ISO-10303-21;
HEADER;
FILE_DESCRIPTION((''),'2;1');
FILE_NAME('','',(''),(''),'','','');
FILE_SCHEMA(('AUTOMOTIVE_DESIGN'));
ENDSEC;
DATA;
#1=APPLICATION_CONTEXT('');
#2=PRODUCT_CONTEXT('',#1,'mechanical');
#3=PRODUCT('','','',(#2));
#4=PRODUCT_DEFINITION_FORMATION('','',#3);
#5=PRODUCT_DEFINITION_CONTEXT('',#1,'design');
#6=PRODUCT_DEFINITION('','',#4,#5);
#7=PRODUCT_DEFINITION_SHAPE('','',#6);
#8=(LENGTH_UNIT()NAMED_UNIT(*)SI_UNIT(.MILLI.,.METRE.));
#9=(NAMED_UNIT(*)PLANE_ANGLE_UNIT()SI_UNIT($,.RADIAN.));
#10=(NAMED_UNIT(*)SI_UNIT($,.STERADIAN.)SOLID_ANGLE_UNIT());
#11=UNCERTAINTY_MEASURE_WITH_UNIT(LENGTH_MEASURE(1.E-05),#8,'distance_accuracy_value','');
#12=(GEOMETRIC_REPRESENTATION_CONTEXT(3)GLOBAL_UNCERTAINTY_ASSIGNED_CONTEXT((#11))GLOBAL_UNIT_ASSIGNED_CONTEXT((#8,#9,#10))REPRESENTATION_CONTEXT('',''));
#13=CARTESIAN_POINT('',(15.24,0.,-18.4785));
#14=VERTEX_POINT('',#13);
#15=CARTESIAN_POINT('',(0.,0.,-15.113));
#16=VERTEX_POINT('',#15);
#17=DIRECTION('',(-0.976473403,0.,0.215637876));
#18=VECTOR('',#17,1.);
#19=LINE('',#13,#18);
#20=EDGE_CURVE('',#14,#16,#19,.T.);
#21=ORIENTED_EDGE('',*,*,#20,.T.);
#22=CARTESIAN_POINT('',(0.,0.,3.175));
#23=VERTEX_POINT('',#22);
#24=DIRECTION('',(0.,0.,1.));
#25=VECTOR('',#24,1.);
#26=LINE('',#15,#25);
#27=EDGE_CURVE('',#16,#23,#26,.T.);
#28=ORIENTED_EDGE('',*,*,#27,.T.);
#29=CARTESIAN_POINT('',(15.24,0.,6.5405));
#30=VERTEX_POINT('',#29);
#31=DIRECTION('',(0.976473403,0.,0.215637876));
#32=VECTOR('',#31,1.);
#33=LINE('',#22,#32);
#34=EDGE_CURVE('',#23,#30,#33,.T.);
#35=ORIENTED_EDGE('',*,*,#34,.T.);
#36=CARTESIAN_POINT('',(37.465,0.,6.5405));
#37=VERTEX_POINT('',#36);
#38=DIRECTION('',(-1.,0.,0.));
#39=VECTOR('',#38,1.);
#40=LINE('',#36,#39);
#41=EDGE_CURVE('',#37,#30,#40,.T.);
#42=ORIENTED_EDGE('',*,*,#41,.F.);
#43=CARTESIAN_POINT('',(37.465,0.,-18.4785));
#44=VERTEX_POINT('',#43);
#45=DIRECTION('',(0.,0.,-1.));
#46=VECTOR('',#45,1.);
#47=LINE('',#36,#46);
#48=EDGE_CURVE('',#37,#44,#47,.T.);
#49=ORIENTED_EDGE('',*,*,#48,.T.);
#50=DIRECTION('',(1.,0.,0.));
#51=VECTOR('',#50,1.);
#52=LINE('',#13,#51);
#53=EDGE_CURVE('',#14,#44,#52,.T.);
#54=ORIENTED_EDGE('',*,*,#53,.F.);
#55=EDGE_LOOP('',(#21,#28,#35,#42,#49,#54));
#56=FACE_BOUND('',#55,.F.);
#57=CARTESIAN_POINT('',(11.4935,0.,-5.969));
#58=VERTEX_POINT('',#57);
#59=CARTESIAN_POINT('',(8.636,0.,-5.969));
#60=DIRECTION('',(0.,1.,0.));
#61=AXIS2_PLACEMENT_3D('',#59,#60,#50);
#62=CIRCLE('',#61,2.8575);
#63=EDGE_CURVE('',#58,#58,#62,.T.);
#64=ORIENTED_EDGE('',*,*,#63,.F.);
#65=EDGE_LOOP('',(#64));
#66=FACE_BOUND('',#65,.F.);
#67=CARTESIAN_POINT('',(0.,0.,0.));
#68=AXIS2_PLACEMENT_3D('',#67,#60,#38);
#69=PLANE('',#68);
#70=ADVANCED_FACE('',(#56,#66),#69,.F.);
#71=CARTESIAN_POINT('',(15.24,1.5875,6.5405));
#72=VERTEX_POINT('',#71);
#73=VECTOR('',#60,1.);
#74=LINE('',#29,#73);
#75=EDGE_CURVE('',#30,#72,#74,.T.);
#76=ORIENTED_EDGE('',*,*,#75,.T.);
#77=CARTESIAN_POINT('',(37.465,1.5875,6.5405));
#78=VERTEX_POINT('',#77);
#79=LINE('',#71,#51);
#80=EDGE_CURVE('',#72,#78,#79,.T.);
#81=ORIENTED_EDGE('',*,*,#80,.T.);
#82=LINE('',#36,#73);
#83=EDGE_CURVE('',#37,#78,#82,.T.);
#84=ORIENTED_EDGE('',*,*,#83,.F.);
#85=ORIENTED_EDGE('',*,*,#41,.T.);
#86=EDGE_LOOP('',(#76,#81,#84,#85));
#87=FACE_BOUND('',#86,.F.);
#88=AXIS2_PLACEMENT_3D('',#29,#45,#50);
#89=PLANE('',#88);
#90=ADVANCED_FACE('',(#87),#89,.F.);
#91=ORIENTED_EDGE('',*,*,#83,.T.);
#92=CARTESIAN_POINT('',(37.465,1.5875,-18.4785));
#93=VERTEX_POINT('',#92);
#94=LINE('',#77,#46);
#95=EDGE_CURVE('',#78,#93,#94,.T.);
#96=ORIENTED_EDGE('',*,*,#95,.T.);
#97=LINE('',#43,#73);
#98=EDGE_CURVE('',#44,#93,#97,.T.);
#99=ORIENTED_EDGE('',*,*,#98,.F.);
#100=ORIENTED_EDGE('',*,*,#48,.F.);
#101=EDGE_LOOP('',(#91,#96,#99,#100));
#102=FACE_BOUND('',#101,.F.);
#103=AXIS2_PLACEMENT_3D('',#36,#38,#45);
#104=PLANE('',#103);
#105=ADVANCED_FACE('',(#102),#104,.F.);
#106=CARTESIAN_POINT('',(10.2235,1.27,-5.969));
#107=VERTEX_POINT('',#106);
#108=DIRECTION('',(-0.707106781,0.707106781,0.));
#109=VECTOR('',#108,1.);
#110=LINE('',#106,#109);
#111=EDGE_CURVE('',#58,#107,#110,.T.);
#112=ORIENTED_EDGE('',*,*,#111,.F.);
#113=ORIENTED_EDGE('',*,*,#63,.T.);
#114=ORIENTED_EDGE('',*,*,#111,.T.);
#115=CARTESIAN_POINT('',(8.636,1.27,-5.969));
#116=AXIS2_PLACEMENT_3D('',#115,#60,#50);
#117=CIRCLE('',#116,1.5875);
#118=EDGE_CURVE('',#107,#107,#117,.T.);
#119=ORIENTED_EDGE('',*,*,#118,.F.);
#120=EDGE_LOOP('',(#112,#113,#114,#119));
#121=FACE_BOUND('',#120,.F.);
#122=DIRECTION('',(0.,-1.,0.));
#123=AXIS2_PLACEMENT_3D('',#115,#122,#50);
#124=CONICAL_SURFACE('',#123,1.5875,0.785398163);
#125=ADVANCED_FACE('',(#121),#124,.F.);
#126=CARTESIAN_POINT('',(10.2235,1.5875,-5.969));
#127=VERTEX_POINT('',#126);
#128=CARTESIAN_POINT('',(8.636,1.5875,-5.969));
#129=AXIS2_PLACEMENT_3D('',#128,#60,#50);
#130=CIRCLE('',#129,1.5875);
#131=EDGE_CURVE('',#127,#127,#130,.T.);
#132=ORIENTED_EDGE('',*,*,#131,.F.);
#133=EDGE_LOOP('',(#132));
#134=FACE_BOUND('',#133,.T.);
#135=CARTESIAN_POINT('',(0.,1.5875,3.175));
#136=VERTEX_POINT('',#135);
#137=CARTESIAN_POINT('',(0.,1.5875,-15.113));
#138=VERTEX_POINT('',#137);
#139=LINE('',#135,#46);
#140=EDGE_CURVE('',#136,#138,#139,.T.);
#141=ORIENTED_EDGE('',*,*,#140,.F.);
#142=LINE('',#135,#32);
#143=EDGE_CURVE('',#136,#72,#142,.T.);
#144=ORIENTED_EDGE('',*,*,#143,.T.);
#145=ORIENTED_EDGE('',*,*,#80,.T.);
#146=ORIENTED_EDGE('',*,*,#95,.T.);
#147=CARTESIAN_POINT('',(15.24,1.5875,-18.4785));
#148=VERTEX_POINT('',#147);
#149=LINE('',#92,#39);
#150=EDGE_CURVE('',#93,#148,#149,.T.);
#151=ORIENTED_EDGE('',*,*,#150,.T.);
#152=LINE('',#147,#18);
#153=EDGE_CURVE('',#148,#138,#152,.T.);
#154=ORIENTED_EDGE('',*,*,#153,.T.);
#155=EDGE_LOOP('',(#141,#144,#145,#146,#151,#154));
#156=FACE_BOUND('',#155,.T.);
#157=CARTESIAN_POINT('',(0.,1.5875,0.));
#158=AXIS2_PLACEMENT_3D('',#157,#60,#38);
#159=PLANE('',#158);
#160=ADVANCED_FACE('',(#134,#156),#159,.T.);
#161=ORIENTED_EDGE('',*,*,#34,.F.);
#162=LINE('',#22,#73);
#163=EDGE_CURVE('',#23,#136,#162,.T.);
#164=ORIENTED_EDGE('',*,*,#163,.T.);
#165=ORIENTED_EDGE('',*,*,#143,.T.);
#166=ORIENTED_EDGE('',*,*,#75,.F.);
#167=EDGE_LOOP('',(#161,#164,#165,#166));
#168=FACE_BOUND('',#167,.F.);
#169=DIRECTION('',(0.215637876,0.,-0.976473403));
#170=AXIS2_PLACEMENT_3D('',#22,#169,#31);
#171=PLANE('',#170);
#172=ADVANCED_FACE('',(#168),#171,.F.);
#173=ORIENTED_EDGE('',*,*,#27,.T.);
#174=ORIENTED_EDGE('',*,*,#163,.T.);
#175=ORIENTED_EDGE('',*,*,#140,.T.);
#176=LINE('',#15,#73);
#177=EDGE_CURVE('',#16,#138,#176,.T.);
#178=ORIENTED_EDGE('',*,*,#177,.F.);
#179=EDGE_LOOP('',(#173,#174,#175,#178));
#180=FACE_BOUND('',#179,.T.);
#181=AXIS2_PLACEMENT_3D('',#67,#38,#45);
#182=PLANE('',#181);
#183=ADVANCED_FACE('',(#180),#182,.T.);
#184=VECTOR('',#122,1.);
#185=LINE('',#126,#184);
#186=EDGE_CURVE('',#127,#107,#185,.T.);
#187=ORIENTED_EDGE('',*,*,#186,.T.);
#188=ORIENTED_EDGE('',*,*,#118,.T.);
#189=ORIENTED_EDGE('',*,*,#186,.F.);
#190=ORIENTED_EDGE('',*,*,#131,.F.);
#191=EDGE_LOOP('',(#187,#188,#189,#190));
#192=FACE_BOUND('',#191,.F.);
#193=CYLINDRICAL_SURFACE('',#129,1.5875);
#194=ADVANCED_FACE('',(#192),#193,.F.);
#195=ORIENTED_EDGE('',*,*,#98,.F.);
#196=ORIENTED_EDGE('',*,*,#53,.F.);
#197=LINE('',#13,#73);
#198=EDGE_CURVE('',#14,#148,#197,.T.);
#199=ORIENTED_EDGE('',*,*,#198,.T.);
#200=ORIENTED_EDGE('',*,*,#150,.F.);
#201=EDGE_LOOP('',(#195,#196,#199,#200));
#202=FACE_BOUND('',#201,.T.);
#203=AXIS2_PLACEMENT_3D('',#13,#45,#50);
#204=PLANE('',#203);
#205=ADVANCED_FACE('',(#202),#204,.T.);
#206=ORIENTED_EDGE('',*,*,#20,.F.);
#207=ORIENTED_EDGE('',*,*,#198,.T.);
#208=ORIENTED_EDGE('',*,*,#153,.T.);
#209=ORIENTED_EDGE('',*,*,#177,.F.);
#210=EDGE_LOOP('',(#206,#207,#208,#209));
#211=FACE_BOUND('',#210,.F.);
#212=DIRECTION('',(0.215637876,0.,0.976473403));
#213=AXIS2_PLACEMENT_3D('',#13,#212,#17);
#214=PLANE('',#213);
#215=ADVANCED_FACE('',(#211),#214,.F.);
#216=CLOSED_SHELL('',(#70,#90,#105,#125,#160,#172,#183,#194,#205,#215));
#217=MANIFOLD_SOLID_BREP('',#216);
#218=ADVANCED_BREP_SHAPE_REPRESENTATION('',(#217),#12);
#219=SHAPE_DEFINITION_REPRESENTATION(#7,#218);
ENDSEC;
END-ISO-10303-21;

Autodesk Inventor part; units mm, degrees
ref_plane "YZ Plane" through (0, 0, 0) normal (1, 0, 0) x (0, 1, 0)
ref_plane "XZ Plane" through (0, 0, 0) normal (0, 1, 0) x (-1, 0, 0)
ref_plane "XY Plane" through (0, 0, 0) normal (0, 0, 1) x (1, 0, 0)
sketch "Sketch1" plane through (0, 0, 0) normal (0, 1, 0) x (-1, 0, 0)
  line L0 (0, 0) -> (0, -11.938)
  line L1 (-15.24, 3.3655) -> (-15.24, -15.3035)
  line L2 (0, 0) -> (-15.24, 3.3655)
  line L3 (0, -11.938) -> (-15.24, -15.3035)
  line L4 (-15.24, 3.3655) -> (-19.05, 3.3655)
  line L5 (-19.05, 3.3655) -> (-19.05, 2.0955)
  line L6 (-19.05, 2.0955) -> (-15.24, 2.0955)
  line L7 (-15.24, 2.0955) -> (-15.24, 3.3655)
  line L8 (-15.24, -15.3035) -> (-19.05, -15.3035)
  line L9 (-19.05, -15.3035) -> (-19.05, -14.0335)
  line L10 (-19.05, -14.0335) -> (-15.24, -14.0335)
  line L11 (-15.24, -14.0335) -> (-15.24, -15.3035)
  line L12 (0, 0) -> (0, 3.175)
  line L13 (-15.24, 3.3655) -> (-15.24, 6.5405)
  line L14 (0, -11.938) -> (0, -15.113)
  line L15 (-15.24, -15.3035) -> (-15.24, -18.4785)
  line L16 (-15.24, -18.4785) -> (0, -15.113)
  line L17 (0, 3.175) -> (-15.24, 6.5405)
  line L18 (-15.24, 6.5405) -> (-34.29, 6.5405)
  line L19 (-19.05, 3.3655) -> (-34.29, 3.3655)
  line L20 (-34.29, 3.3655) -> (-34.29, 6.5405)
  line L21 (-15.24, -18.4785) -> (-34.29, -18.4785)
  line L22 (-34.29, -18.4785) -> (-34.29, -15.3035)
  line L23 (-34.29, -15.3035) -> (-19.05, -15.3035)
  line L24 (-34.29, 6.5405) -> (-37.465, 6.5405)
  line L25 (-37.465, 6.5405) -> (-37.465, -18.4785)
  line L26 (-37.465, -18.4785) -> (-34.29, -18.4785)
  line L27 (-34.29, -18.4785) -> (-34.29, 6.5405)
  line L28 (-15.24, -15.3035) -> (-34.29, -15.3035)
  line L29 (-34.29, -15.3035) -> (-34.29, 3.3655)
  line L30 (-34.29, 3.3655) -> (-15.24, 3.3655)
  line L31 (-15.24, 3.3655) -> (-15.24, -15.3035)
  line L32 (-15.24, 3.3655) -> (-34.29, 3.3655)
  line L33 (-34.29, 3.3655) -> (-34.29, 6.5405)
  line L34 (-34.29, 6.5405) -> (-15.24, 6.5405)
  line L35 (-15.24, 6.5405) -> (-15.24, 3.3655)
  dimension "d0" = 11.938
  dimension "d1" = 15.24
  dimension "d2" = 18.669
  dimension "d3" = 3.3655
  dimension "d4" = 3.81
  dimension "d5" = 1.27
  dimension "d6" = 3.81
  dimension "d7" = 1.27
  dimension "d8" = 3.175
  dimension "d9" = 3.175
  dimension "d10" = 3.175
  dimension "d11" = 3.175
  dimension "d12" = 19.05
  dimension "d13" = 3.175
extrude "Extrusion4" add sketch "Sketch1" along normal blind 1.5875
sketch "Sketch4" plane through (0, 1.5875, 0) normal (0, 1, 0) x (1, 0, 0)
  circle A0 centre (8.636, 5.969) radius 1.5875
  line L0 (0, 15.113) -> (0, -3.175) projected
  point P0 (0, 0)
  dimension "d26" = 3.175
  dimension "d27" = 8.636
extrude "Extrusion5" cut sketch "Sketch4" against normal blind 1.5875
chamfer "Chamfer2" distance 1.27 angle 45 1 edges at (7.0485, 0, -5.969)
equation "\"d3\" = -0.5 * d0 + 0.5 * d2"
properties part number "phototransistorMount2" material "ABS Plastic"
